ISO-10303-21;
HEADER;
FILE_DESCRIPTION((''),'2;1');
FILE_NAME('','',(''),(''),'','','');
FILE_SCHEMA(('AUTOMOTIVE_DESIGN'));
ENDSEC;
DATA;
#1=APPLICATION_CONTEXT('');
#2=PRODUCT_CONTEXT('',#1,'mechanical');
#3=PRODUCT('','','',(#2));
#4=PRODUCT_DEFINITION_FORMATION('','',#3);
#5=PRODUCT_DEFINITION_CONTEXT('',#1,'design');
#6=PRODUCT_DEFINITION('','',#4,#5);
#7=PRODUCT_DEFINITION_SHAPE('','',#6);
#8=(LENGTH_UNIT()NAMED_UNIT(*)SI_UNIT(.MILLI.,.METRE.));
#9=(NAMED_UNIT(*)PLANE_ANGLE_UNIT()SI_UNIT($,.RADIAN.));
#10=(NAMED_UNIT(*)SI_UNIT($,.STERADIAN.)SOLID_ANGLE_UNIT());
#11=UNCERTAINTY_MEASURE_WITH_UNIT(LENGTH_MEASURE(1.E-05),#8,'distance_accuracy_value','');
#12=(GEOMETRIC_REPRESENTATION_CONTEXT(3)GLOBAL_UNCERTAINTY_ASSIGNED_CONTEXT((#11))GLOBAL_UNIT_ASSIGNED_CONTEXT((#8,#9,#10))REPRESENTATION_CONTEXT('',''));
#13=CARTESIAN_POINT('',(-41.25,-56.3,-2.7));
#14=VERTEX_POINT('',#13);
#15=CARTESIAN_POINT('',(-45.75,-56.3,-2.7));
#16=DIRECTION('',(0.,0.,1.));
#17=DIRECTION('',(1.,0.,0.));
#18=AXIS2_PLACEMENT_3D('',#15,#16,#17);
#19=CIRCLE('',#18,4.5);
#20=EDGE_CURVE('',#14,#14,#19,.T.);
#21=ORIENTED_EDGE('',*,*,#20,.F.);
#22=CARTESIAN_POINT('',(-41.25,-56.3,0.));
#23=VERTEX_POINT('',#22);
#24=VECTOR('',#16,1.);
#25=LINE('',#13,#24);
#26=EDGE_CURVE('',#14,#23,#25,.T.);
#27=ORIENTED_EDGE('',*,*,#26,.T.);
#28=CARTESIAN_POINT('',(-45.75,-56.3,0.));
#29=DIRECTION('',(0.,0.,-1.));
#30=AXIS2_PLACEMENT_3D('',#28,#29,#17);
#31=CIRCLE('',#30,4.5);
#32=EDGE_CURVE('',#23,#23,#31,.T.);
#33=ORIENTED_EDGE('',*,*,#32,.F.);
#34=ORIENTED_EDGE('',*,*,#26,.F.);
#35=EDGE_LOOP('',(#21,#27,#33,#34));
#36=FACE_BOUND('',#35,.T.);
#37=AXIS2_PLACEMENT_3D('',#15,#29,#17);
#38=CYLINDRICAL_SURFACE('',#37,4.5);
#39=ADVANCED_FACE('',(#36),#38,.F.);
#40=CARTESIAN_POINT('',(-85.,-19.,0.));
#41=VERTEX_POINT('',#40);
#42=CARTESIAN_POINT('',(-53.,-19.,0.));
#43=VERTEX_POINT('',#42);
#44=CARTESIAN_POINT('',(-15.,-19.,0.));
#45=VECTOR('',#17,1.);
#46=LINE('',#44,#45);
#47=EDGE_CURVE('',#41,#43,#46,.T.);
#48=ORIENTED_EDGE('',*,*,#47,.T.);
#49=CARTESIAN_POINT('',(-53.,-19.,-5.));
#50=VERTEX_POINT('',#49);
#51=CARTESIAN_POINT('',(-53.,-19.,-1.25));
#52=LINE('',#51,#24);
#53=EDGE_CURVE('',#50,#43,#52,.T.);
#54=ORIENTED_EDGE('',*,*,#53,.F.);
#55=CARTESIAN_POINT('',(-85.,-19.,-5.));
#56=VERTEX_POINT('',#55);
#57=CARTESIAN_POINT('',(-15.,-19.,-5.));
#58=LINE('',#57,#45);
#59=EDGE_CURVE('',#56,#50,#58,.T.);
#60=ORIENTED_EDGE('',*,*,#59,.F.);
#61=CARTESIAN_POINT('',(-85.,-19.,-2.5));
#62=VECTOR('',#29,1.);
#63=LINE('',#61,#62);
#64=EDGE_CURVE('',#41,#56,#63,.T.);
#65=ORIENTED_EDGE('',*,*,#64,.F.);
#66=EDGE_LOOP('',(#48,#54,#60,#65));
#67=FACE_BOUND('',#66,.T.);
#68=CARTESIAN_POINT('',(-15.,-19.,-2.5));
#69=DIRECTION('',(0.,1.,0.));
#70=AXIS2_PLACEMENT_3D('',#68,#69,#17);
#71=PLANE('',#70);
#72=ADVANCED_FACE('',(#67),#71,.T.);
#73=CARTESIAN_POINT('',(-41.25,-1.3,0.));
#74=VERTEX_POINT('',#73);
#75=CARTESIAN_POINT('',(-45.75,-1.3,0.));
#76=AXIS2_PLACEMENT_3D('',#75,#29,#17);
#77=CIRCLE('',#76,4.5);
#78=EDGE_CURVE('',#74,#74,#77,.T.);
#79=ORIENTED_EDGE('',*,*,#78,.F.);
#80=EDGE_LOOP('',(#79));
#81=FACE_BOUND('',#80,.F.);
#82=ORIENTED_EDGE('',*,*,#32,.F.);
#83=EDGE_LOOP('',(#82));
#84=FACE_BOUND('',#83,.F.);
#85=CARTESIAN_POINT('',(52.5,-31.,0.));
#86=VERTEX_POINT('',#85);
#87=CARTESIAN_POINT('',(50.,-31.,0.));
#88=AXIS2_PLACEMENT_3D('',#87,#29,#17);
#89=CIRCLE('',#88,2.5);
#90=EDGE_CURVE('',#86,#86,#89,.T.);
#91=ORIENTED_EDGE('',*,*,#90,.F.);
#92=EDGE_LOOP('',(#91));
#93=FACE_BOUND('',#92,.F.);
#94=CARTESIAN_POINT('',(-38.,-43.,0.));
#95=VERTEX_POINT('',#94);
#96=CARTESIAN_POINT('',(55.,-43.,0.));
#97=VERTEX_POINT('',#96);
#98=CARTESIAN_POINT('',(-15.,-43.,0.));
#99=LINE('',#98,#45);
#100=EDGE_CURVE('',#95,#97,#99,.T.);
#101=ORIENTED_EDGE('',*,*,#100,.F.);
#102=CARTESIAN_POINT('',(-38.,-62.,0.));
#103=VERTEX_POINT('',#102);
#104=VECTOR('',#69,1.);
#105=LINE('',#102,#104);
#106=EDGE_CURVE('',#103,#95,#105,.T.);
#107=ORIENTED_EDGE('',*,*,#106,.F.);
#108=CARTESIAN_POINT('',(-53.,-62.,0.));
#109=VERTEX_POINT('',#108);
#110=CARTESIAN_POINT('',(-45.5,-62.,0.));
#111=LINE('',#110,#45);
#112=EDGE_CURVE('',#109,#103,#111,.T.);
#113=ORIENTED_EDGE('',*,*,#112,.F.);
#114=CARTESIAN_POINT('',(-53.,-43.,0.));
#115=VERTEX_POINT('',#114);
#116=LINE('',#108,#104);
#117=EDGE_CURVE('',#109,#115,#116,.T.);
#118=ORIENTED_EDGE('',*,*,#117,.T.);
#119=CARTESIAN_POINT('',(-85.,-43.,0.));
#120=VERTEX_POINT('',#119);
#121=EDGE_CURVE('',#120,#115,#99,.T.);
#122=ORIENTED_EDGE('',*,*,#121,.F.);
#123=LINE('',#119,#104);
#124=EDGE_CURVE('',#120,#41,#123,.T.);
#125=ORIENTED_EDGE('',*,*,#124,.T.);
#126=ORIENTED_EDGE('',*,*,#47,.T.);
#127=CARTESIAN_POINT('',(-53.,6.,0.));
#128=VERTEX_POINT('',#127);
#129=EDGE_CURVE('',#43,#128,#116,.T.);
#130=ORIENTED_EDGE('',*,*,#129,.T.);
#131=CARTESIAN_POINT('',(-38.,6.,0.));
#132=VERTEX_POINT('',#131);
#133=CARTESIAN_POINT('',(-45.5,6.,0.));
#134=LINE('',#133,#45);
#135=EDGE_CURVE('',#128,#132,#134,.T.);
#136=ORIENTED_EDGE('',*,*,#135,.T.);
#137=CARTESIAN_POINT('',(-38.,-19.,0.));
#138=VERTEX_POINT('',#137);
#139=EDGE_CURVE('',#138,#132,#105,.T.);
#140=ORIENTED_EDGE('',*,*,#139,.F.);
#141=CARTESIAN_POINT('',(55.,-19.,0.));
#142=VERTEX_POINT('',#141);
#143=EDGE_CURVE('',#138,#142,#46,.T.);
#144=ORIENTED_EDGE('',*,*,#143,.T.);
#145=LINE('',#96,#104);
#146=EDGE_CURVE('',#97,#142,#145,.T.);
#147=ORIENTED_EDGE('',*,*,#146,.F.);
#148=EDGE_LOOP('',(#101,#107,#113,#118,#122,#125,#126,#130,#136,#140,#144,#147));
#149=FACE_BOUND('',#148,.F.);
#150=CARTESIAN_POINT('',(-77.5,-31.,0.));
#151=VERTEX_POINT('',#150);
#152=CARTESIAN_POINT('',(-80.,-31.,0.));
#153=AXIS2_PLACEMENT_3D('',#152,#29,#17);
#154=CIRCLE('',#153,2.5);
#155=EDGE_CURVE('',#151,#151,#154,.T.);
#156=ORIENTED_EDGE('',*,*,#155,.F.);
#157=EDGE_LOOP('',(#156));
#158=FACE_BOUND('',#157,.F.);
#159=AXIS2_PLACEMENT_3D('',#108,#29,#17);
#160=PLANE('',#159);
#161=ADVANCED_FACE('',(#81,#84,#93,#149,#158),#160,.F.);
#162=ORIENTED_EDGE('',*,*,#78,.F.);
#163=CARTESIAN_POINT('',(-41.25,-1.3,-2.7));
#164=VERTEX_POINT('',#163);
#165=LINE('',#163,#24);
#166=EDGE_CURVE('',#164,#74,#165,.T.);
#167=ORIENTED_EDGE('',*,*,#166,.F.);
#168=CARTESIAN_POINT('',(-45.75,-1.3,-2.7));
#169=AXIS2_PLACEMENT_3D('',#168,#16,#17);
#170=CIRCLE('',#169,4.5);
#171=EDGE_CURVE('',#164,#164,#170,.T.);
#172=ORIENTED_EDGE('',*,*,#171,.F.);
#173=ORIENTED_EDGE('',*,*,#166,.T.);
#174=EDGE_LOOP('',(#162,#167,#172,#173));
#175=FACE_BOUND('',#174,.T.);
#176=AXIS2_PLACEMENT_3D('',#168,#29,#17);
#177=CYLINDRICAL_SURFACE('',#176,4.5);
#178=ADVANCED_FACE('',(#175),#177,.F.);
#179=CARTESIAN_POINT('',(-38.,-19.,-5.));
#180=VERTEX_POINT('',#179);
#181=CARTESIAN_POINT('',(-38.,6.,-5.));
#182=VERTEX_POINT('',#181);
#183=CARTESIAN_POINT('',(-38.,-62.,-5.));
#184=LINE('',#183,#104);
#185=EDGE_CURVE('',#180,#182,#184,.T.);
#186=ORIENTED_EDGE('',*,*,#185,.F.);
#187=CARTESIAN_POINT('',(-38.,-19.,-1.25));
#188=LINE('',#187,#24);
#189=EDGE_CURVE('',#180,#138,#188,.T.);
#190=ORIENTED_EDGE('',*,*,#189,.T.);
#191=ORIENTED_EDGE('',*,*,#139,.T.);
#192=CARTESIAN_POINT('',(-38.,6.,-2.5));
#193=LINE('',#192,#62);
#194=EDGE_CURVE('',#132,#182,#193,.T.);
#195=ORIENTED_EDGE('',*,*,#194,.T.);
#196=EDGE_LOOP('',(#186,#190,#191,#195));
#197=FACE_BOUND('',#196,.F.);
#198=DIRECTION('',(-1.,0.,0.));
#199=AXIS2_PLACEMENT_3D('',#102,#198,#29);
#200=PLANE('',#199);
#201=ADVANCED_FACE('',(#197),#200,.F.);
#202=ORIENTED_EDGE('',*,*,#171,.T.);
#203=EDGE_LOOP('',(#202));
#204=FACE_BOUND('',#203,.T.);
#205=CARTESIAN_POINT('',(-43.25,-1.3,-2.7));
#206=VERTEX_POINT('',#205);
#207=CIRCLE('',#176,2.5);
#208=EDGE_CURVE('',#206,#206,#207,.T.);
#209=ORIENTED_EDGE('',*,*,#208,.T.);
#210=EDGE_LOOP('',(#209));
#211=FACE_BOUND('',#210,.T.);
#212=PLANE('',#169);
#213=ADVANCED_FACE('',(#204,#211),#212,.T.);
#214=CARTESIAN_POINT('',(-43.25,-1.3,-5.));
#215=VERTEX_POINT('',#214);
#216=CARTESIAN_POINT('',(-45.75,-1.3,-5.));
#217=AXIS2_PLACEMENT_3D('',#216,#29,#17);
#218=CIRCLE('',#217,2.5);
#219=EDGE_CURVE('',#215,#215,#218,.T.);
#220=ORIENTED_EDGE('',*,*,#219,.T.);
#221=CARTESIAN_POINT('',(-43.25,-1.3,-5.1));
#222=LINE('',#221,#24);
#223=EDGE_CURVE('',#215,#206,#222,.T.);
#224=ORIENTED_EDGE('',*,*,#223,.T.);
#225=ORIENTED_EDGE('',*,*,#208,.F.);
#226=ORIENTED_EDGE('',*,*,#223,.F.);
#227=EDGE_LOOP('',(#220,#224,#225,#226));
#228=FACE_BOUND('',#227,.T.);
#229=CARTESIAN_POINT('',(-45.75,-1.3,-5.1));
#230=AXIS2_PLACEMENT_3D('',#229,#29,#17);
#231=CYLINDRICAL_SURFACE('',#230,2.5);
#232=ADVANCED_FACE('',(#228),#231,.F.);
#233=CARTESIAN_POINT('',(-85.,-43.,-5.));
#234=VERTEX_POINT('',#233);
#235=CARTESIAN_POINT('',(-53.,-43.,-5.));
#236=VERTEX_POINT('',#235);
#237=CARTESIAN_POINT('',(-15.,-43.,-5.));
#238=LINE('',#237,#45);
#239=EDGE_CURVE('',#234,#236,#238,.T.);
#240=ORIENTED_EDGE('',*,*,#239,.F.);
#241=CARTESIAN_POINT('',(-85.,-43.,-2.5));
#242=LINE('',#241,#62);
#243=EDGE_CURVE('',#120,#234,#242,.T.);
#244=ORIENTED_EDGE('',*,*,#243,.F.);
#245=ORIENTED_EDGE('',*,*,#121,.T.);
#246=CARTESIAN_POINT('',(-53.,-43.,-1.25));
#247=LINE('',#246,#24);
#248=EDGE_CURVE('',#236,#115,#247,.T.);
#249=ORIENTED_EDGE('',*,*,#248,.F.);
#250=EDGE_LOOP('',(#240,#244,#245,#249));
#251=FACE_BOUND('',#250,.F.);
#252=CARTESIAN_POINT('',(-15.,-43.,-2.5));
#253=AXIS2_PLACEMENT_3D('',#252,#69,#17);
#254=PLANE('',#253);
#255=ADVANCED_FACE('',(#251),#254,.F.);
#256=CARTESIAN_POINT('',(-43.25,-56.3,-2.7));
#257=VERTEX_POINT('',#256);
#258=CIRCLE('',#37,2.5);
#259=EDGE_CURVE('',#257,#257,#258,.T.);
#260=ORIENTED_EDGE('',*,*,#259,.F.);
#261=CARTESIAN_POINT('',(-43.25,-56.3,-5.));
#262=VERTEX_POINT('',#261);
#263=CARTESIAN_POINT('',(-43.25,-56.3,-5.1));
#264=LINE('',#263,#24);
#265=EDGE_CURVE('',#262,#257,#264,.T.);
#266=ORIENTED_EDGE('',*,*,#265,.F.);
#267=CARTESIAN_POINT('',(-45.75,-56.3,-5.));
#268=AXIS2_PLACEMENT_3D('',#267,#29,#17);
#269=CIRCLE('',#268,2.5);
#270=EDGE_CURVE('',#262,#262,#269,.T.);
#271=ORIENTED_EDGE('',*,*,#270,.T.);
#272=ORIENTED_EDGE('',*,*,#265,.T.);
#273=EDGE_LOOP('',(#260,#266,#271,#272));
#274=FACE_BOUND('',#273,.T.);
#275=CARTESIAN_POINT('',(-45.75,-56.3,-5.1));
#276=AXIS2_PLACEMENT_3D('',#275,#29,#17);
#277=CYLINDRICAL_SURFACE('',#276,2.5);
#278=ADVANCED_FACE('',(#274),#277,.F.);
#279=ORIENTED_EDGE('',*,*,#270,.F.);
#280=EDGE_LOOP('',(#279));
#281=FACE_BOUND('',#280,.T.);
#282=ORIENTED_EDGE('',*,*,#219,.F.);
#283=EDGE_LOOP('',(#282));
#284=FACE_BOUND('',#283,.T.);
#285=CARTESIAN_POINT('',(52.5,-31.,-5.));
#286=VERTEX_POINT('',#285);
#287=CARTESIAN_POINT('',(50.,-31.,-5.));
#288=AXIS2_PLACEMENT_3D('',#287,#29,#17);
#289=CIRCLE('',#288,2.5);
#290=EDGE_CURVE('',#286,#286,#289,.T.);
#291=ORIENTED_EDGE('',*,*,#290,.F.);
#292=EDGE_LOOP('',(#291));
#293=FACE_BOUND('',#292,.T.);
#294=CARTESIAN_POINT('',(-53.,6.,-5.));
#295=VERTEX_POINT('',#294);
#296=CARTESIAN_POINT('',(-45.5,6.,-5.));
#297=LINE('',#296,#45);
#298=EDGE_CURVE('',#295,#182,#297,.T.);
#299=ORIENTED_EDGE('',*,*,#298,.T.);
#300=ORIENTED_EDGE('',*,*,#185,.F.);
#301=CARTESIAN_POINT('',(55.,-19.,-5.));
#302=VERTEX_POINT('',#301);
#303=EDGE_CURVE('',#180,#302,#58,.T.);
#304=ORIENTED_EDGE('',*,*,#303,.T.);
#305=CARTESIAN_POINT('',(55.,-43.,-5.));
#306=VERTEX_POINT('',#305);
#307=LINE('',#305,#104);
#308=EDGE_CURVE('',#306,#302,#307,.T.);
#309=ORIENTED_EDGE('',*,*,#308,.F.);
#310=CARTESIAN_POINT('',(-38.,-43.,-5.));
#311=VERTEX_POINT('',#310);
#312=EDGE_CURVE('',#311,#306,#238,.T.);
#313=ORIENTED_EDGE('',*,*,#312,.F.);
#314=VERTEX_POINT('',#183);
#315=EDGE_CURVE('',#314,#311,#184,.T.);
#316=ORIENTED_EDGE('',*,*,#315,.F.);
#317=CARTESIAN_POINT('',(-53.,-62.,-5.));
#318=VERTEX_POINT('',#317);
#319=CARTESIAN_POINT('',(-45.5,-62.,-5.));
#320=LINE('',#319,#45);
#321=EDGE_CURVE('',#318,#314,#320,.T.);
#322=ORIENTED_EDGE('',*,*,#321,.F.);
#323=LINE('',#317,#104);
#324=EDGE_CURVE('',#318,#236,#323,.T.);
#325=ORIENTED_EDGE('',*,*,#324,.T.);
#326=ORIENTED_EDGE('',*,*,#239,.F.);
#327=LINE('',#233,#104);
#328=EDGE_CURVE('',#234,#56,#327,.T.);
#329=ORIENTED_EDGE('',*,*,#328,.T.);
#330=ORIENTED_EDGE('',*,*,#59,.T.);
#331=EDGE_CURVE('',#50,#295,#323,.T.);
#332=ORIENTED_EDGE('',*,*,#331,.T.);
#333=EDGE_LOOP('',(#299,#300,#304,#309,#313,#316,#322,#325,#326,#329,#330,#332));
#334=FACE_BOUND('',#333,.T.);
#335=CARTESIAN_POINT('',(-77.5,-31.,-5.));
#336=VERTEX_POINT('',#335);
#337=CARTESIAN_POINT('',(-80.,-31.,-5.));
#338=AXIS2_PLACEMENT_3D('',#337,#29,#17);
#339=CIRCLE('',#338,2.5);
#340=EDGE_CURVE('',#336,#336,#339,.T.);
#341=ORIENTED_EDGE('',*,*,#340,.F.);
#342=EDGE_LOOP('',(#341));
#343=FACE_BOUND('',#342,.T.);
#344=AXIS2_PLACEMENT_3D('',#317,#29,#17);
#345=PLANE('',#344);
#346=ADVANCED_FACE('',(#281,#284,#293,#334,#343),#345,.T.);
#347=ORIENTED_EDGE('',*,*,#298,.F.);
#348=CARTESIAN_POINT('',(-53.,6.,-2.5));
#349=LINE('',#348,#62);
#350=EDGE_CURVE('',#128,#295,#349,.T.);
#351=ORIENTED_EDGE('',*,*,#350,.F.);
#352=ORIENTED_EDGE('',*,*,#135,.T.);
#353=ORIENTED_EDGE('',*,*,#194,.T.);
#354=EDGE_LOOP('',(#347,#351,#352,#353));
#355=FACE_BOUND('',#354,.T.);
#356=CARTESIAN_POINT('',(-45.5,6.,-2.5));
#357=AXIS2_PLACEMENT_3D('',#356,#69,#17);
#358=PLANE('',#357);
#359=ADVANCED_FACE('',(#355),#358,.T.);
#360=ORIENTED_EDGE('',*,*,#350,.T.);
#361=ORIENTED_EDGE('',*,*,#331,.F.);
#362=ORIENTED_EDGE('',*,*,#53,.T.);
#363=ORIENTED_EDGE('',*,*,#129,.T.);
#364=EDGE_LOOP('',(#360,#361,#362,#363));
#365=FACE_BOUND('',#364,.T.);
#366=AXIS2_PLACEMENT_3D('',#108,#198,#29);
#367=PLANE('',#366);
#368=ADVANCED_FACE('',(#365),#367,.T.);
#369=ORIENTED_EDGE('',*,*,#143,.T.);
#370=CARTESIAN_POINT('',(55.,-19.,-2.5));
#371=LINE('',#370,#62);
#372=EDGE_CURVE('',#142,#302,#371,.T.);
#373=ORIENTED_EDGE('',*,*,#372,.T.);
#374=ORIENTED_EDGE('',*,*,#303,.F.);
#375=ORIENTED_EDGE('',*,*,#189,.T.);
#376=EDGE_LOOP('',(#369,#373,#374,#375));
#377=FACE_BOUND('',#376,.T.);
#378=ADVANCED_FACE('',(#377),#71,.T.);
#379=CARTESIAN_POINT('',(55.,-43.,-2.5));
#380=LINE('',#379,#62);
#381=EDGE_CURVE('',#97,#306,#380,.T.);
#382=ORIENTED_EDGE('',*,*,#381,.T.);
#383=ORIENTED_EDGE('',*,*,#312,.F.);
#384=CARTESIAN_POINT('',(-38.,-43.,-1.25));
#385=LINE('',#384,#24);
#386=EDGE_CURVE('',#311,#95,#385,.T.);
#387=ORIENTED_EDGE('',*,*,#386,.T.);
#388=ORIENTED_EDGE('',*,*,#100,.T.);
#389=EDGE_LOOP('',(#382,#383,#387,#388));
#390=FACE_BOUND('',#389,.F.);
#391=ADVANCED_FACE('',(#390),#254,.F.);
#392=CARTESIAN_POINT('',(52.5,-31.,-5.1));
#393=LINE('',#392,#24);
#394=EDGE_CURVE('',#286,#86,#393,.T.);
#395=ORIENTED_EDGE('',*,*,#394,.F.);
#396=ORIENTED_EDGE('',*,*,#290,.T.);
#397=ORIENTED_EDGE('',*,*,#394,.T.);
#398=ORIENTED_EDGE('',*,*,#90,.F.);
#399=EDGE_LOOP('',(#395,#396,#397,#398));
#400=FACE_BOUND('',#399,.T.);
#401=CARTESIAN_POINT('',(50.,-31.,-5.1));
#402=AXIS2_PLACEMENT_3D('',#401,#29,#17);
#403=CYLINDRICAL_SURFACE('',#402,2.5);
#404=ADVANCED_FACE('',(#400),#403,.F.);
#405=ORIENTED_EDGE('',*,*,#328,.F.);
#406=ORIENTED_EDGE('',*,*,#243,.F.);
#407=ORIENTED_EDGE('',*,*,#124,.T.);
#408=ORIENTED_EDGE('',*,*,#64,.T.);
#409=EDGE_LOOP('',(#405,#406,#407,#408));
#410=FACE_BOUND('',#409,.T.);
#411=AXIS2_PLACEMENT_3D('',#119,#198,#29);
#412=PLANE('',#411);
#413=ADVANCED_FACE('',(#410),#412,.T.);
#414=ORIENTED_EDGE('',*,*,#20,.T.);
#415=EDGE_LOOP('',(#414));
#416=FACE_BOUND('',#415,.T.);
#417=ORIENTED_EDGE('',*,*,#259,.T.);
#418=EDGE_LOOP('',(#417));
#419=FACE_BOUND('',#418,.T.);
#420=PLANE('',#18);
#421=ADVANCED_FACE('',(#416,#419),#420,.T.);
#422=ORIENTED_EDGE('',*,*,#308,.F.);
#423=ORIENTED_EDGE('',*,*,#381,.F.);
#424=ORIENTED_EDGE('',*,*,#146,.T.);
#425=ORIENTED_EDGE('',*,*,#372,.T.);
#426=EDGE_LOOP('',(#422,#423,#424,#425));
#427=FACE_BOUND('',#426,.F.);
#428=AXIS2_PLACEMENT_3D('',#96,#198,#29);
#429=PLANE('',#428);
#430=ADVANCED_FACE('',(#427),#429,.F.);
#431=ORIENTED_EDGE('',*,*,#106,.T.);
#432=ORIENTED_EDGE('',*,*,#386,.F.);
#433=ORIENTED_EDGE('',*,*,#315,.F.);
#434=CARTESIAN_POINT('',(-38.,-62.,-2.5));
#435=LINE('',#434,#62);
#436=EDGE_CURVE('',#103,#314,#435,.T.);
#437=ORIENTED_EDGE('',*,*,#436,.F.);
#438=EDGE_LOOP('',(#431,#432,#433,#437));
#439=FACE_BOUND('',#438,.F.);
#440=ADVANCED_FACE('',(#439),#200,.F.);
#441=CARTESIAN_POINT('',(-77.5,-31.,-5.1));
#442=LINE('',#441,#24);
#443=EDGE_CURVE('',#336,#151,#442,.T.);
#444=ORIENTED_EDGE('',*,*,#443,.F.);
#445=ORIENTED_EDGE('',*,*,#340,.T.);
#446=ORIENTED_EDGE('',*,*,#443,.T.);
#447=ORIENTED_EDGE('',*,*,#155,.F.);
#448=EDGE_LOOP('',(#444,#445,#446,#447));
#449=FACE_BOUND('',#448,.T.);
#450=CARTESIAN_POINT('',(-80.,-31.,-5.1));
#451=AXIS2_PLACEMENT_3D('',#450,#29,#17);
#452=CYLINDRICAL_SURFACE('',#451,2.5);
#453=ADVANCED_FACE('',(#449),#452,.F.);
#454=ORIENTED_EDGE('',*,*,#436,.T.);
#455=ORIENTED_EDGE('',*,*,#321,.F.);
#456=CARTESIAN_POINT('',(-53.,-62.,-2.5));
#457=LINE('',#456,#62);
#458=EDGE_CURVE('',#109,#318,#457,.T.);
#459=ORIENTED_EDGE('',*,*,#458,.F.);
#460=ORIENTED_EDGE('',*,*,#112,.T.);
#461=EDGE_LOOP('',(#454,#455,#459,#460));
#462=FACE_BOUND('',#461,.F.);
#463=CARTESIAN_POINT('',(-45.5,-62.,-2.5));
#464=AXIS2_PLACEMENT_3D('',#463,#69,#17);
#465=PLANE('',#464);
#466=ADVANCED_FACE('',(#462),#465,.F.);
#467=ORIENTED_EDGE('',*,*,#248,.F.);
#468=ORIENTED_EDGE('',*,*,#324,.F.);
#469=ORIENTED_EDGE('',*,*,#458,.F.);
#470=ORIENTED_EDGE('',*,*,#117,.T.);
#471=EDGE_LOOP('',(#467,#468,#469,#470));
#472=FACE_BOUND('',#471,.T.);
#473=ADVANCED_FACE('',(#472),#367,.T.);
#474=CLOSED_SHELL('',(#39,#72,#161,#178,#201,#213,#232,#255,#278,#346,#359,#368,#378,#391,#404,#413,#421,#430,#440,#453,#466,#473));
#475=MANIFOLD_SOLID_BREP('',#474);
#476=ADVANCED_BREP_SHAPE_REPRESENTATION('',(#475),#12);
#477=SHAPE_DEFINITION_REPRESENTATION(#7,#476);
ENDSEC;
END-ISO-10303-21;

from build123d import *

# Parameters (mm, degrees)
CYLINDER063_R          = 4.5
CYLINDER063_DEPTH      = 10
CYLINDER064_R          = 4.5
CYLINDER064_DEPTH      = 10
CYLINDER058_R          = 2.5
CYLINDER058_DEPTH      = 10
CYLINDER059_R          = 2.5
CYLINDER059_DEPTH      = 10
CYLINDER060_R          = 2.5
CYLINDER060_DEPTH      = 10
CYLINDER061_R          = 2.5
CYLINDER061_DEPTH      = 10
CYLINDER057_R          = 2.5
CYLINDER057_DEPTH      = 10
CYLINDER062_R          = 2.5
CYLINDER062_DEPTH      = 10
BOX013_W               = 15
BOX013_H               = 5
BOX013_DEPTH           = 68
BOX012_W               = 140
BOX012_H               = 5
BOX012_DEPTH           = 24
CUT006_PLACEMENT_ANGLE = 90


with BuildPart() as cylinder063:
    # Cylinder063 → Cylinder063 (new body)
    with BuildSketch(Plane(origin=(-45.75, 0, -56.3), x_dir=(1, 0, 0), z_dir=(0, -1, 0))):
        Circle(CYLINDER063_R)
    extrude(amount=CYLINDER063_DEPTH)


with BuildPart() as m3bltinput001:
    # Cylinder064 → Cylinder064 (new body)
    with BuildSketch(Plane(origin=(-45.75, 0, -1.3), x_dir=(1, 0, 0), z_dir=(0, -1, 0))):
        Circle(CYLINDER064_R)
    extrude(amount=CYLINDER064_DEPTH)

    # Fusion023: union Cylinder063
    add(cylinder063.part)


with BuildPart() as m3bltinput001_1:
    # Fusion023 placement: moved
    add(m3bltinput001.part.moved(Location((0, 2.7, 0))))


with BuildPart() as cylinder058:
    # Cylinder058 → Cylinder058 (new body)
    with BuildSketch(Plane(origin=(115, 0, -31), x_dir=(1, 0, 0), z_dir=(0, -1, 0))):
        Circle(CYLINDER058_R)
    extrude(amount=CYLINDER058_DEPTH)


with BuildPart() as cylinder059:
    # Cylinder059 → Cylinder059 (new body)
    with BuildSketch(Plane(origin=(-80, 0, -31), x_dir=(1, 0, 0), z_dir=(0, -1, 0))):
        Circle(CYLINDER059_R)
    extrude(amount=CYLINDER059_DEPTH)


with BuildPart() as cylinder060:
    # Cylinder060 → Cylinder060 (new body)
    with BuildSketch(Plane(origin=(50, 0, -31), x_dir=(1, 0, 0), z_dir=(0, -1, 0))):
        Circle(CYLINDER060_R)
    extrude(amount=CYLINDER060_DEPTH)


with BuildPart() as cylinder061:
    # Cylinder061 → Cylinder061 (new body)
    with BuildSketch(Plane(origin=(-45.75, 0, -56.3), x_dir=(1, 0, 0), z_dir=(0, -1, 0))):
        Circle(CYLINDER061_R)
    extrude(amount=CYLINDER061_DEPTH)


with BuildPart() as cylinder057:
    # Cylinder057 → Cylinder057 (new body)
    with BuildSketch(Plane(origin=(-115, 0, -31), x_dir=(1, 0, 0), z_dir=(0, -1, 0))):
        Circle(CYLINDER057_R)
    extrude(amount=CYLINDER057_DEPTH)


with BuildPart() as fusion026:
    # Cylinder062 → Cylinder062 (new body)
    with BuildSketch(Plane(origin=(-45.75, 0, -1.3), x_dir=(1, 0, 0), z_dir=(0, -1, 0))):
        Circle(CYLINDER062_R)
    extrude(amount=CYLINDER062_DEPTH)

    # Fusion022: union Cylinder058, Cylinder059, Cylinder060, Cylinder061, Cylinder057
    add(cylinder058.part)
    add(cylinder059.part)
    add(cylinder060.part)
    add(cylinder061.part)
    add(cylinder057.part)


with BuildPart() as fusion026_1:
    # Fusion022 placement: moved
    add(fusion026.part.moved(Location((0, 5.1, 0))))

    # Fusion026: union M3BltInput001
    add(m3bltinput001_1.part)


with BuildPart() as cube011:
    # Box013 → Box013 (new body)
    with BuildSketch(Plane(origin=(-53, 0, -62), x_dir=(1, 0, 0), z_dir=(0, 0, 1))):
        with Locations((7.5, 2.5)):
            Rectangle(BOX013_W, BOX013_H)
    extrude(amount=BOX013_DEPTH)


with BuildPart() as powerbase001:
    # Box012 → Box012 (new body)
    with BuildSketch(Plane(origin=(-85, 0, -43), x_dir=(1, 0, 0), z_dir=(0, 0, 1))):
        with Locations((70, 2.5)):
            Rectangle(BOX012_W, BOX012_H)
    extrude(amount=BOX012_DEPTH)

    # Fusion021: union Cube011
    add(cube011.part)

    # Cut006: cut Fusion026
    add(fusion026_1.part, mode=Mode.SUBTRACT)


with BuildPart() as powerbase001_1:
    # Cut006 placement: moved
    add(powerbase001.part.rotate(Axis((0, 0, 0), (-1, 0, 0)), CUT006_PLACEMENT_ANGLE))


solid = powerbase001_1.part
